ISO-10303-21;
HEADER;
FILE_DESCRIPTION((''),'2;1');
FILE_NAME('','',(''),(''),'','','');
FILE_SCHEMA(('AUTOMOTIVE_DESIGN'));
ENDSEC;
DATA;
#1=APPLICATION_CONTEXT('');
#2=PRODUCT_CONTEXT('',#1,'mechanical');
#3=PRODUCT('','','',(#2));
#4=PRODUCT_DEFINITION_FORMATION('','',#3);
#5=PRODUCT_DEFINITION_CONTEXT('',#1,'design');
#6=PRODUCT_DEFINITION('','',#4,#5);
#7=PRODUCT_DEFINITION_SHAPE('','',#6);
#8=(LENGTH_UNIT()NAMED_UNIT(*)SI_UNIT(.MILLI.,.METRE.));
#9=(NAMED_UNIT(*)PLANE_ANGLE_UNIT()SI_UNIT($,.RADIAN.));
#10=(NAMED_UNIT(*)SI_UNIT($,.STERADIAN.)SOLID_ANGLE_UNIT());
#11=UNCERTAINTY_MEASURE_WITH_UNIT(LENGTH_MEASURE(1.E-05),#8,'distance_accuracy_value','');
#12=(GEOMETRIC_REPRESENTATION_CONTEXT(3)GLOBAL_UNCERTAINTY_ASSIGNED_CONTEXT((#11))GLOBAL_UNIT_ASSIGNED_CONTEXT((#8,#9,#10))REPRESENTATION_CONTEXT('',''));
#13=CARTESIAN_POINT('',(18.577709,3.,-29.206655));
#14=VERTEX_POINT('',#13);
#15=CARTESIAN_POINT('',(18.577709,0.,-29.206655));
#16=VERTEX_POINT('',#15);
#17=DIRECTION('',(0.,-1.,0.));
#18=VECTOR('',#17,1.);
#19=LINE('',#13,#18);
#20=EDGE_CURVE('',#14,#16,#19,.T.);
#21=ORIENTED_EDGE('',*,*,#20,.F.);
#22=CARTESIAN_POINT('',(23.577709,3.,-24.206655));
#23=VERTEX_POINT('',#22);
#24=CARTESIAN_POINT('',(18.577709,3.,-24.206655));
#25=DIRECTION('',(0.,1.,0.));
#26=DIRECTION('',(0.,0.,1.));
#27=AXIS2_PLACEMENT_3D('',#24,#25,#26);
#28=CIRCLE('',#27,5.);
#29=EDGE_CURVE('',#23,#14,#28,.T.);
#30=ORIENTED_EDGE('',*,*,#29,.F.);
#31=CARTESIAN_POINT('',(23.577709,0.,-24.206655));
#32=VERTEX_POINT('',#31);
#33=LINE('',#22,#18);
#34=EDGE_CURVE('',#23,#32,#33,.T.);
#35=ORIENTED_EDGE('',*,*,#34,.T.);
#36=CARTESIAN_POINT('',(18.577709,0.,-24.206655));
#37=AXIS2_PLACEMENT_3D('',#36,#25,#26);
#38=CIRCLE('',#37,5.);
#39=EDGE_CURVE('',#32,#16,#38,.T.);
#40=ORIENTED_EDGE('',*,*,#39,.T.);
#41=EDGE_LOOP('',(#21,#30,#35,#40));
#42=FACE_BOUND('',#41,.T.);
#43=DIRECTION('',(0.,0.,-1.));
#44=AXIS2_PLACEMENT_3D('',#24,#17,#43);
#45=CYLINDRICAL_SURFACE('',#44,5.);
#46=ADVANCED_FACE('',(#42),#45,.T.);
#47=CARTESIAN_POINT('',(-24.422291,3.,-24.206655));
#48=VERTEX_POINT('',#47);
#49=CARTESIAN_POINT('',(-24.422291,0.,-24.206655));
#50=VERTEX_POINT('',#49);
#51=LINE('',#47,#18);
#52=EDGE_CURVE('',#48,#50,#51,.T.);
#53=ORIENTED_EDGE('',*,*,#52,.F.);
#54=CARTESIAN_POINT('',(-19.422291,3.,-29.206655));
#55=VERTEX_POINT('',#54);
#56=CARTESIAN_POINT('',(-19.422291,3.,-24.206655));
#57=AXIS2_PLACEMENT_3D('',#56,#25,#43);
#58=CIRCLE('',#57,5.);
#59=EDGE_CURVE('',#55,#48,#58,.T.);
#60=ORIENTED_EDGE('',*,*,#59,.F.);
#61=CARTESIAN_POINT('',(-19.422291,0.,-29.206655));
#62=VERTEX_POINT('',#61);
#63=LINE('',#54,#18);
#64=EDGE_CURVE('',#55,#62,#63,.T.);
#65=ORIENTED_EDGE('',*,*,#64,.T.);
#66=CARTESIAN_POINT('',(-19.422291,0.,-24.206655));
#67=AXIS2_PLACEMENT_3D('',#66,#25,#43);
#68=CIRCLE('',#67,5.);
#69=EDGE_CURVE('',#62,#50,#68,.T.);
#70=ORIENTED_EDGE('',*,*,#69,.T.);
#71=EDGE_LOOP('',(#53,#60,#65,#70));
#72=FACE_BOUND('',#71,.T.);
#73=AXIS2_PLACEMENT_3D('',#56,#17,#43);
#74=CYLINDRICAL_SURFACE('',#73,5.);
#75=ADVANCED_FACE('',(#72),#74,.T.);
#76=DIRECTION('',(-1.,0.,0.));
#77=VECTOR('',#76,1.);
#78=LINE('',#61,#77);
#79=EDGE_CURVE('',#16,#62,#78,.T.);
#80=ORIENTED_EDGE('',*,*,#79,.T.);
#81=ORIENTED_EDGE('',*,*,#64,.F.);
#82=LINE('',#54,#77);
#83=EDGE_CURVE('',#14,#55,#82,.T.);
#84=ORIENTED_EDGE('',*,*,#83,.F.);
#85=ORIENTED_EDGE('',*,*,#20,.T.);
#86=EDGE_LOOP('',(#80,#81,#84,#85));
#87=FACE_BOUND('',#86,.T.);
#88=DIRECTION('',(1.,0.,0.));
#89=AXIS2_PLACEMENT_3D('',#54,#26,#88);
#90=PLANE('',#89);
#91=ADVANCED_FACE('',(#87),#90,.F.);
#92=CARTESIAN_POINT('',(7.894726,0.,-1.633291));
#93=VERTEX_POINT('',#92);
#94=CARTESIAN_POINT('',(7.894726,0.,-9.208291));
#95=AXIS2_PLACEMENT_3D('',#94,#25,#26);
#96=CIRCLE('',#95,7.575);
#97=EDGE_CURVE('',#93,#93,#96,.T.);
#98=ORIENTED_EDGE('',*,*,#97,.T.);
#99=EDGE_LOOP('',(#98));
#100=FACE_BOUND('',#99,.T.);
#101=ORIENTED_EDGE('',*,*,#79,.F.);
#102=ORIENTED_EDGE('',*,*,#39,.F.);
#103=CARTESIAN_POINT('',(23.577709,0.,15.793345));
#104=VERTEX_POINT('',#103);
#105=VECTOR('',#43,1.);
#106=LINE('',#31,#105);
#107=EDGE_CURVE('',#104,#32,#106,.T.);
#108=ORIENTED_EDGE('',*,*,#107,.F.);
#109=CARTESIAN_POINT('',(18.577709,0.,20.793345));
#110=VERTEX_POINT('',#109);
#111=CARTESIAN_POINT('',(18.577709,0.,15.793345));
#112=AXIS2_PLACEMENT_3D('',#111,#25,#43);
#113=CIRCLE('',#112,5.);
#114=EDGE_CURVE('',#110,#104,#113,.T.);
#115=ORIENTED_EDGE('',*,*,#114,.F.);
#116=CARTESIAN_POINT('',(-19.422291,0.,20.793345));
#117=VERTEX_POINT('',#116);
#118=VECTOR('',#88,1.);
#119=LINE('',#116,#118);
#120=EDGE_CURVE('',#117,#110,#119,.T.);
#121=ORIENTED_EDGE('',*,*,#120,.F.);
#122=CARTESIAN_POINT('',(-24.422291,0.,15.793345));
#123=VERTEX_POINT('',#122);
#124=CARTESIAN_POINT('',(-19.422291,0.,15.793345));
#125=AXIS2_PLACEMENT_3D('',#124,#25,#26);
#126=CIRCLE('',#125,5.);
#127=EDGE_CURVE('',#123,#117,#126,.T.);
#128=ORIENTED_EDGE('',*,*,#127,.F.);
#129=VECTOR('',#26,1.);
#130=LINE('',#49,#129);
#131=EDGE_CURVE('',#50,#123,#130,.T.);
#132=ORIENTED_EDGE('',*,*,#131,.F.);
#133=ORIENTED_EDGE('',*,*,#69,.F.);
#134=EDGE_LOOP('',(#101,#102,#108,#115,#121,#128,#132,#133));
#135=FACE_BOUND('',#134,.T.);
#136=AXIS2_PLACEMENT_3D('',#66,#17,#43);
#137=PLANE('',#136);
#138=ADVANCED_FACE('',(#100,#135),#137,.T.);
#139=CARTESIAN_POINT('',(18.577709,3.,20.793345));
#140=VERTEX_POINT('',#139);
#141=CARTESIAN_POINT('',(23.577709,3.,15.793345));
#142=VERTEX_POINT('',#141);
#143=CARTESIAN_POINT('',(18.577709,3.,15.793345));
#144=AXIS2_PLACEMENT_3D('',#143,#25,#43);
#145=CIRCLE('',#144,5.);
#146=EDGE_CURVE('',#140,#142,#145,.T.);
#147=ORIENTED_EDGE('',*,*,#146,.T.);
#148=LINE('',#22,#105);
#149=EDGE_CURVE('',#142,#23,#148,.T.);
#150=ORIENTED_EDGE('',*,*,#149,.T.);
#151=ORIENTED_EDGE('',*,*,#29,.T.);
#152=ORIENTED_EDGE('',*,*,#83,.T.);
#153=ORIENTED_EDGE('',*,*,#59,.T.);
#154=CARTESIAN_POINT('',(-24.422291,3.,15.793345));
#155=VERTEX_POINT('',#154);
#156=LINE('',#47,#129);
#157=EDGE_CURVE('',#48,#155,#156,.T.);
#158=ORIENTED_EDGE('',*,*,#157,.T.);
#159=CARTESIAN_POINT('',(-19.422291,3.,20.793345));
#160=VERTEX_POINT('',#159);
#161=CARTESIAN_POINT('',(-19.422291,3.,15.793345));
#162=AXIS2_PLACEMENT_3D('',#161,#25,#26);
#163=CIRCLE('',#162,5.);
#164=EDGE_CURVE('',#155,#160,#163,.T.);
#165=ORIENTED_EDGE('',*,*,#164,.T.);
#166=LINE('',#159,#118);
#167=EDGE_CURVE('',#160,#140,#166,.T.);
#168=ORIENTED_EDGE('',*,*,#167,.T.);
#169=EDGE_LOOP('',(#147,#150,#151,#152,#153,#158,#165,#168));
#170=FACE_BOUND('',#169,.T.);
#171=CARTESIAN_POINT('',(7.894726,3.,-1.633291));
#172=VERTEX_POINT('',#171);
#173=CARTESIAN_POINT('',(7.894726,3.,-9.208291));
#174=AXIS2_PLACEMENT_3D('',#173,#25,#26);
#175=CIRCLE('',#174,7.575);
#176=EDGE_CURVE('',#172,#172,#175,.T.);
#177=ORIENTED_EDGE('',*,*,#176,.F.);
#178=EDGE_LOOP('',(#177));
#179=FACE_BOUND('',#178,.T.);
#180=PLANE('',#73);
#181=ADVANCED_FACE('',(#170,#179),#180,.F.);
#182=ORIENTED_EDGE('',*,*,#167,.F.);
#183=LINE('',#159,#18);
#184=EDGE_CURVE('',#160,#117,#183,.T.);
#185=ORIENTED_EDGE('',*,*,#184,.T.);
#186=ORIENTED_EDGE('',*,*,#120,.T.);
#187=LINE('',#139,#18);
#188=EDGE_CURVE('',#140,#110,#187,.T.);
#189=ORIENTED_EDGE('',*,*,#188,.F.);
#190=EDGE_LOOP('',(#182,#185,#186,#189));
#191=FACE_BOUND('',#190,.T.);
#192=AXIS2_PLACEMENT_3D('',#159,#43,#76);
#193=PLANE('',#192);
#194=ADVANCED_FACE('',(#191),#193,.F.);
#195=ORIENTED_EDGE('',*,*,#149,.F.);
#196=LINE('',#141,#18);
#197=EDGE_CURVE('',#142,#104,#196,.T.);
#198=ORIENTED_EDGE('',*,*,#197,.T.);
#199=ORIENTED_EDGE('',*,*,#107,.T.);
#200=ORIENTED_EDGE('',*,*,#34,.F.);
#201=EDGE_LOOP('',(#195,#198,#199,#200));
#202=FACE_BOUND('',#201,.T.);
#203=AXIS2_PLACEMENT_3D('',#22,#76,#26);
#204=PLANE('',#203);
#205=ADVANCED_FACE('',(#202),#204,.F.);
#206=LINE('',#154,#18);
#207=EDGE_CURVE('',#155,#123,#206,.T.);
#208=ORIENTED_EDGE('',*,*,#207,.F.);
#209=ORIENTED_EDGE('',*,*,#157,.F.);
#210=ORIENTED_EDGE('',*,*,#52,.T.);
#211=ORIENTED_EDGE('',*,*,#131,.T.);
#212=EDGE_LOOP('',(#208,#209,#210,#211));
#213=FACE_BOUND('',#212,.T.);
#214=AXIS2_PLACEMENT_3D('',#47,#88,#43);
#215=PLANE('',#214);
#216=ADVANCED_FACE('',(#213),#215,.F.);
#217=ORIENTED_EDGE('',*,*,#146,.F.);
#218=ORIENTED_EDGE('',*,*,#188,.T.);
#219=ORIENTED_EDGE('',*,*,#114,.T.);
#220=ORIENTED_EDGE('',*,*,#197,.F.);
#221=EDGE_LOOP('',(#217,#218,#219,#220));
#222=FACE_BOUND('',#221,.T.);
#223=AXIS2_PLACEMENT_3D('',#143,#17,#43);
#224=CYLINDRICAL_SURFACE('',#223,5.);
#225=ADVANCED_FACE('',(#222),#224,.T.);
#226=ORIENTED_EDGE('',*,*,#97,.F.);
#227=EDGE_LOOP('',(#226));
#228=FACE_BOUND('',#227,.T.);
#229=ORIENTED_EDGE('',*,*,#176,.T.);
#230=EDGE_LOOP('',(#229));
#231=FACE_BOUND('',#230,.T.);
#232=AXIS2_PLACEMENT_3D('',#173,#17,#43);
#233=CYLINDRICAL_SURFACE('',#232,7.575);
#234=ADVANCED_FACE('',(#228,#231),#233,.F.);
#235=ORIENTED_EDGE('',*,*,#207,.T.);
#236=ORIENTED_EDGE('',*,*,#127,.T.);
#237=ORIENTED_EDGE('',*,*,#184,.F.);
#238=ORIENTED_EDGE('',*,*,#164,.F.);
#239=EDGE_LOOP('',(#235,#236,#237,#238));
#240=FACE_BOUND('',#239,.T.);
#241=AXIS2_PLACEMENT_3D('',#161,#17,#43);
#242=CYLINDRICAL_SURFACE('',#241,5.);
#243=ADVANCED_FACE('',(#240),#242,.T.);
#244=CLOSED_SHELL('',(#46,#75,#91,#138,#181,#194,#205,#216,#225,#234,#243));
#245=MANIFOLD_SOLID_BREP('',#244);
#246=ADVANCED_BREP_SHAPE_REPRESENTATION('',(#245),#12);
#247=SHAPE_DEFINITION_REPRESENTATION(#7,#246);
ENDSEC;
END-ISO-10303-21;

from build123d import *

# Parameters (mm, degrees)
SKETCH1_R           = 7.575
BOSS_EXTRUDE1_DEPTH = 3


with BuildPart() as part:
    # Sketch1 → Boss-Extrude1 (new body)
    with BuildSketch(Plane(origin=(0, 0, 0), x_dir=(1, 0, 0), z_dir=(0, 1, 0))):
        with BuildLine():
            Line((-19.42229117, 29.206654834), (18.57770883, 29.206654834))
            ThreePointArc((18.57770883, 29.206654834), (22.113242736, 27.74218874), (23.57770883, 24.206654834))
            Line((23.57770883, 24.206654834), (23.57770883, -15.793345166))
            ThreePointArc((23.57770883, -15.793345166), (22.113242736, -19.328879072), (18.57770883, -20.793345166))
            Line((18.57770883, -20.793345166), (-19.42229117, -20.793345166))
            ThreePointArc((-19.42229117, -20.793345166), (-22.957825076, -19.328879072), (-24.42229117, -15.793345166))
            Line((-24.42229117, -15.793345166), (-24.42229117, 24.206654834))
            ThreePointArc((-24.42229117, 24.206654834), (-22.957825076, 27.74218874), (-19.42229117, 29.206654834))
        make_face()
        with Locations((7.89472563, 9.208291295)):
            Circle(SKETCH1_R, mode=Mode.SUBTRACT)
    extrude(amount=BOSS_EXTRUDE1_DEPTH)


solid = part.part
